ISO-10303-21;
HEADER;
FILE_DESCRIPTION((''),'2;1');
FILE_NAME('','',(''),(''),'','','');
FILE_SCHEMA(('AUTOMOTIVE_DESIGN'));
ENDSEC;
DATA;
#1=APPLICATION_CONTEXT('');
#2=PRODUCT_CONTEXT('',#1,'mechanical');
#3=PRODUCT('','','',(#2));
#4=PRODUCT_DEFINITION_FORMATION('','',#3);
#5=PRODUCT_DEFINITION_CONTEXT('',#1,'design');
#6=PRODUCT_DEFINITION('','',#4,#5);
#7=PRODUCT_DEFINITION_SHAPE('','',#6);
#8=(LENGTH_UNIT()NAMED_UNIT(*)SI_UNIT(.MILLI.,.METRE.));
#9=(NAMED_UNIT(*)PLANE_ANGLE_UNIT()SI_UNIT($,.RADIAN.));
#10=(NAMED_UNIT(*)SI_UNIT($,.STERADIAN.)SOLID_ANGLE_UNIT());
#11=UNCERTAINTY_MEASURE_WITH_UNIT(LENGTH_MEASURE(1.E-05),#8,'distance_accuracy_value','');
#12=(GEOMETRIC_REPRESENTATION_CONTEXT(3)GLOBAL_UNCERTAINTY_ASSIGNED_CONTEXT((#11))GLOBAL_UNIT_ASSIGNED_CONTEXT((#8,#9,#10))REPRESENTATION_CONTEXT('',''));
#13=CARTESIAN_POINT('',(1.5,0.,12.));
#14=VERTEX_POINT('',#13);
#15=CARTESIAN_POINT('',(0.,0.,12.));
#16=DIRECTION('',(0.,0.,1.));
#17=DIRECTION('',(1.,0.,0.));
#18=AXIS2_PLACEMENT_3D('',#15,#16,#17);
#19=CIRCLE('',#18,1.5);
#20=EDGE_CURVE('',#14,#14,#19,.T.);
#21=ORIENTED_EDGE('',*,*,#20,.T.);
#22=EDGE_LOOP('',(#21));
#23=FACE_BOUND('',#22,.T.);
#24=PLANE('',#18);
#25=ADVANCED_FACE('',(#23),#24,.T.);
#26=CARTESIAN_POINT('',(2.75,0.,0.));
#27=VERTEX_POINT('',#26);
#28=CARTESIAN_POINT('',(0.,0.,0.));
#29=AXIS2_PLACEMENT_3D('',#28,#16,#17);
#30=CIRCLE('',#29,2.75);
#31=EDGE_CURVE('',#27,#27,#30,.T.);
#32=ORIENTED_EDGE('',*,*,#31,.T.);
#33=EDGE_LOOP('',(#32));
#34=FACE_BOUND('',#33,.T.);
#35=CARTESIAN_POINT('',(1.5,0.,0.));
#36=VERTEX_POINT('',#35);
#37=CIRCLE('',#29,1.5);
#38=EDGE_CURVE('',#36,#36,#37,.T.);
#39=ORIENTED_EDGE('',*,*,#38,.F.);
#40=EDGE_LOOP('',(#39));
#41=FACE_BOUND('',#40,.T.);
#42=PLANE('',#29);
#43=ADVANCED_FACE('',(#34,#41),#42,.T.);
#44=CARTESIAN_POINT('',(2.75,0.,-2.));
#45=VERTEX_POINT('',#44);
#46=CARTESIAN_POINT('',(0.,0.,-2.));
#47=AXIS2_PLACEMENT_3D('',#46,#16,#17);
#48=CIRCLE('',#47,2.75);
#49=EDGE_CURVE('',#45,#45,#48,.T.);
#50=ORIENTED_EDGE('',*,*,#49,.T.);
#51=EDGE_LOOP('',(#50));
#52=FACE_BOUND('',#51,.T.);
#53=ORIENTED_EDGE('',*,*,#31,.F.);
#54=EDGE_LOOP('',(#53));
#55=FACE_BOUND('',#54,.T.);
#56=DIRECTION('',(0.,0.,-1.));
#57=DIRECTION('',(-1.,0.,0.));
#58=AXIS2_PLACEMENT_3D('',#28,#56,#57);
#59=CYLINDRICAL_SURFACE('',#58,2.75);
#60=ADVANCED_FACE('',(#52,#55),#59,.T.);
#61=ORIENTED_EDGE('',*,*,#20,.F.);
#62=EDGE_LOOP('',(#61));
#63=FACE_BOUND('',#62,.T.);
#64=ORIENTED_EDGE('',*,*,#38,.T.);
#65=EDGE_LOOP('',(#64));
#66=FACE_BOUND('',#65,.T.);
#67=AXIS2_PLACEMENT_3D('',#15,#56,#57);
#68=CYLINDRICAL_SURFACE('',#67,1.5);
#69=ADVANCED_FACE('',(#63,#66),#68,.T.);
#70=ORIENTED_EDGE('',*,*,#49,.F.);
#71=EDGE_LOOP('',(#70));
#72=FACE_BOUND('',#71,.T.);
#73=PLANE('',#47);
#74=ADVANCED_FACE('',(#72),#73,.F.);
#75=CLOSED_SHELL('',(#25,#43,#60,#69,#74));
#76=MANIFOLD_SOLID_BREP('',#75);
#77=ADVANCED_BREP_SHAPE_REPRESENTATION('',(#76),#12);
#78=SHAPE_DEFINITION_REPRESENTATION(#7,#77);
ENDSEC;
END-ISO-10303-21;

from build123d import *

# Parameters (mm, degrees)
HEAD_ENVELOPE_START         = -2
SKETCH1_R                   = 2.75
HEAD_ENVELOPE_DEPTH         = 2
SKETCH2_R                   = 1.5
THREAD_MAJOR_ENVELOPE_DEPTH = 12


with BuildPart() as part:
    # Sketch1 → Head_Envelope (new body)
    with BuildSketch(Plane.XY.offset(HEAD_ENVELOPE_START)):
        Circle(SKETCH1_R)
    extrude(amount=HEAD_ENVELOPE_DEPTH)

    # Sketch2 → Thread_Major_Envelope (add)
    with BuildSketch(Plane.XY):
        Circle(SKETCH2_R)
    extrude(amount=THREAD_MAJOR_ENVELOPE_DEPTH)


solid = part.part
